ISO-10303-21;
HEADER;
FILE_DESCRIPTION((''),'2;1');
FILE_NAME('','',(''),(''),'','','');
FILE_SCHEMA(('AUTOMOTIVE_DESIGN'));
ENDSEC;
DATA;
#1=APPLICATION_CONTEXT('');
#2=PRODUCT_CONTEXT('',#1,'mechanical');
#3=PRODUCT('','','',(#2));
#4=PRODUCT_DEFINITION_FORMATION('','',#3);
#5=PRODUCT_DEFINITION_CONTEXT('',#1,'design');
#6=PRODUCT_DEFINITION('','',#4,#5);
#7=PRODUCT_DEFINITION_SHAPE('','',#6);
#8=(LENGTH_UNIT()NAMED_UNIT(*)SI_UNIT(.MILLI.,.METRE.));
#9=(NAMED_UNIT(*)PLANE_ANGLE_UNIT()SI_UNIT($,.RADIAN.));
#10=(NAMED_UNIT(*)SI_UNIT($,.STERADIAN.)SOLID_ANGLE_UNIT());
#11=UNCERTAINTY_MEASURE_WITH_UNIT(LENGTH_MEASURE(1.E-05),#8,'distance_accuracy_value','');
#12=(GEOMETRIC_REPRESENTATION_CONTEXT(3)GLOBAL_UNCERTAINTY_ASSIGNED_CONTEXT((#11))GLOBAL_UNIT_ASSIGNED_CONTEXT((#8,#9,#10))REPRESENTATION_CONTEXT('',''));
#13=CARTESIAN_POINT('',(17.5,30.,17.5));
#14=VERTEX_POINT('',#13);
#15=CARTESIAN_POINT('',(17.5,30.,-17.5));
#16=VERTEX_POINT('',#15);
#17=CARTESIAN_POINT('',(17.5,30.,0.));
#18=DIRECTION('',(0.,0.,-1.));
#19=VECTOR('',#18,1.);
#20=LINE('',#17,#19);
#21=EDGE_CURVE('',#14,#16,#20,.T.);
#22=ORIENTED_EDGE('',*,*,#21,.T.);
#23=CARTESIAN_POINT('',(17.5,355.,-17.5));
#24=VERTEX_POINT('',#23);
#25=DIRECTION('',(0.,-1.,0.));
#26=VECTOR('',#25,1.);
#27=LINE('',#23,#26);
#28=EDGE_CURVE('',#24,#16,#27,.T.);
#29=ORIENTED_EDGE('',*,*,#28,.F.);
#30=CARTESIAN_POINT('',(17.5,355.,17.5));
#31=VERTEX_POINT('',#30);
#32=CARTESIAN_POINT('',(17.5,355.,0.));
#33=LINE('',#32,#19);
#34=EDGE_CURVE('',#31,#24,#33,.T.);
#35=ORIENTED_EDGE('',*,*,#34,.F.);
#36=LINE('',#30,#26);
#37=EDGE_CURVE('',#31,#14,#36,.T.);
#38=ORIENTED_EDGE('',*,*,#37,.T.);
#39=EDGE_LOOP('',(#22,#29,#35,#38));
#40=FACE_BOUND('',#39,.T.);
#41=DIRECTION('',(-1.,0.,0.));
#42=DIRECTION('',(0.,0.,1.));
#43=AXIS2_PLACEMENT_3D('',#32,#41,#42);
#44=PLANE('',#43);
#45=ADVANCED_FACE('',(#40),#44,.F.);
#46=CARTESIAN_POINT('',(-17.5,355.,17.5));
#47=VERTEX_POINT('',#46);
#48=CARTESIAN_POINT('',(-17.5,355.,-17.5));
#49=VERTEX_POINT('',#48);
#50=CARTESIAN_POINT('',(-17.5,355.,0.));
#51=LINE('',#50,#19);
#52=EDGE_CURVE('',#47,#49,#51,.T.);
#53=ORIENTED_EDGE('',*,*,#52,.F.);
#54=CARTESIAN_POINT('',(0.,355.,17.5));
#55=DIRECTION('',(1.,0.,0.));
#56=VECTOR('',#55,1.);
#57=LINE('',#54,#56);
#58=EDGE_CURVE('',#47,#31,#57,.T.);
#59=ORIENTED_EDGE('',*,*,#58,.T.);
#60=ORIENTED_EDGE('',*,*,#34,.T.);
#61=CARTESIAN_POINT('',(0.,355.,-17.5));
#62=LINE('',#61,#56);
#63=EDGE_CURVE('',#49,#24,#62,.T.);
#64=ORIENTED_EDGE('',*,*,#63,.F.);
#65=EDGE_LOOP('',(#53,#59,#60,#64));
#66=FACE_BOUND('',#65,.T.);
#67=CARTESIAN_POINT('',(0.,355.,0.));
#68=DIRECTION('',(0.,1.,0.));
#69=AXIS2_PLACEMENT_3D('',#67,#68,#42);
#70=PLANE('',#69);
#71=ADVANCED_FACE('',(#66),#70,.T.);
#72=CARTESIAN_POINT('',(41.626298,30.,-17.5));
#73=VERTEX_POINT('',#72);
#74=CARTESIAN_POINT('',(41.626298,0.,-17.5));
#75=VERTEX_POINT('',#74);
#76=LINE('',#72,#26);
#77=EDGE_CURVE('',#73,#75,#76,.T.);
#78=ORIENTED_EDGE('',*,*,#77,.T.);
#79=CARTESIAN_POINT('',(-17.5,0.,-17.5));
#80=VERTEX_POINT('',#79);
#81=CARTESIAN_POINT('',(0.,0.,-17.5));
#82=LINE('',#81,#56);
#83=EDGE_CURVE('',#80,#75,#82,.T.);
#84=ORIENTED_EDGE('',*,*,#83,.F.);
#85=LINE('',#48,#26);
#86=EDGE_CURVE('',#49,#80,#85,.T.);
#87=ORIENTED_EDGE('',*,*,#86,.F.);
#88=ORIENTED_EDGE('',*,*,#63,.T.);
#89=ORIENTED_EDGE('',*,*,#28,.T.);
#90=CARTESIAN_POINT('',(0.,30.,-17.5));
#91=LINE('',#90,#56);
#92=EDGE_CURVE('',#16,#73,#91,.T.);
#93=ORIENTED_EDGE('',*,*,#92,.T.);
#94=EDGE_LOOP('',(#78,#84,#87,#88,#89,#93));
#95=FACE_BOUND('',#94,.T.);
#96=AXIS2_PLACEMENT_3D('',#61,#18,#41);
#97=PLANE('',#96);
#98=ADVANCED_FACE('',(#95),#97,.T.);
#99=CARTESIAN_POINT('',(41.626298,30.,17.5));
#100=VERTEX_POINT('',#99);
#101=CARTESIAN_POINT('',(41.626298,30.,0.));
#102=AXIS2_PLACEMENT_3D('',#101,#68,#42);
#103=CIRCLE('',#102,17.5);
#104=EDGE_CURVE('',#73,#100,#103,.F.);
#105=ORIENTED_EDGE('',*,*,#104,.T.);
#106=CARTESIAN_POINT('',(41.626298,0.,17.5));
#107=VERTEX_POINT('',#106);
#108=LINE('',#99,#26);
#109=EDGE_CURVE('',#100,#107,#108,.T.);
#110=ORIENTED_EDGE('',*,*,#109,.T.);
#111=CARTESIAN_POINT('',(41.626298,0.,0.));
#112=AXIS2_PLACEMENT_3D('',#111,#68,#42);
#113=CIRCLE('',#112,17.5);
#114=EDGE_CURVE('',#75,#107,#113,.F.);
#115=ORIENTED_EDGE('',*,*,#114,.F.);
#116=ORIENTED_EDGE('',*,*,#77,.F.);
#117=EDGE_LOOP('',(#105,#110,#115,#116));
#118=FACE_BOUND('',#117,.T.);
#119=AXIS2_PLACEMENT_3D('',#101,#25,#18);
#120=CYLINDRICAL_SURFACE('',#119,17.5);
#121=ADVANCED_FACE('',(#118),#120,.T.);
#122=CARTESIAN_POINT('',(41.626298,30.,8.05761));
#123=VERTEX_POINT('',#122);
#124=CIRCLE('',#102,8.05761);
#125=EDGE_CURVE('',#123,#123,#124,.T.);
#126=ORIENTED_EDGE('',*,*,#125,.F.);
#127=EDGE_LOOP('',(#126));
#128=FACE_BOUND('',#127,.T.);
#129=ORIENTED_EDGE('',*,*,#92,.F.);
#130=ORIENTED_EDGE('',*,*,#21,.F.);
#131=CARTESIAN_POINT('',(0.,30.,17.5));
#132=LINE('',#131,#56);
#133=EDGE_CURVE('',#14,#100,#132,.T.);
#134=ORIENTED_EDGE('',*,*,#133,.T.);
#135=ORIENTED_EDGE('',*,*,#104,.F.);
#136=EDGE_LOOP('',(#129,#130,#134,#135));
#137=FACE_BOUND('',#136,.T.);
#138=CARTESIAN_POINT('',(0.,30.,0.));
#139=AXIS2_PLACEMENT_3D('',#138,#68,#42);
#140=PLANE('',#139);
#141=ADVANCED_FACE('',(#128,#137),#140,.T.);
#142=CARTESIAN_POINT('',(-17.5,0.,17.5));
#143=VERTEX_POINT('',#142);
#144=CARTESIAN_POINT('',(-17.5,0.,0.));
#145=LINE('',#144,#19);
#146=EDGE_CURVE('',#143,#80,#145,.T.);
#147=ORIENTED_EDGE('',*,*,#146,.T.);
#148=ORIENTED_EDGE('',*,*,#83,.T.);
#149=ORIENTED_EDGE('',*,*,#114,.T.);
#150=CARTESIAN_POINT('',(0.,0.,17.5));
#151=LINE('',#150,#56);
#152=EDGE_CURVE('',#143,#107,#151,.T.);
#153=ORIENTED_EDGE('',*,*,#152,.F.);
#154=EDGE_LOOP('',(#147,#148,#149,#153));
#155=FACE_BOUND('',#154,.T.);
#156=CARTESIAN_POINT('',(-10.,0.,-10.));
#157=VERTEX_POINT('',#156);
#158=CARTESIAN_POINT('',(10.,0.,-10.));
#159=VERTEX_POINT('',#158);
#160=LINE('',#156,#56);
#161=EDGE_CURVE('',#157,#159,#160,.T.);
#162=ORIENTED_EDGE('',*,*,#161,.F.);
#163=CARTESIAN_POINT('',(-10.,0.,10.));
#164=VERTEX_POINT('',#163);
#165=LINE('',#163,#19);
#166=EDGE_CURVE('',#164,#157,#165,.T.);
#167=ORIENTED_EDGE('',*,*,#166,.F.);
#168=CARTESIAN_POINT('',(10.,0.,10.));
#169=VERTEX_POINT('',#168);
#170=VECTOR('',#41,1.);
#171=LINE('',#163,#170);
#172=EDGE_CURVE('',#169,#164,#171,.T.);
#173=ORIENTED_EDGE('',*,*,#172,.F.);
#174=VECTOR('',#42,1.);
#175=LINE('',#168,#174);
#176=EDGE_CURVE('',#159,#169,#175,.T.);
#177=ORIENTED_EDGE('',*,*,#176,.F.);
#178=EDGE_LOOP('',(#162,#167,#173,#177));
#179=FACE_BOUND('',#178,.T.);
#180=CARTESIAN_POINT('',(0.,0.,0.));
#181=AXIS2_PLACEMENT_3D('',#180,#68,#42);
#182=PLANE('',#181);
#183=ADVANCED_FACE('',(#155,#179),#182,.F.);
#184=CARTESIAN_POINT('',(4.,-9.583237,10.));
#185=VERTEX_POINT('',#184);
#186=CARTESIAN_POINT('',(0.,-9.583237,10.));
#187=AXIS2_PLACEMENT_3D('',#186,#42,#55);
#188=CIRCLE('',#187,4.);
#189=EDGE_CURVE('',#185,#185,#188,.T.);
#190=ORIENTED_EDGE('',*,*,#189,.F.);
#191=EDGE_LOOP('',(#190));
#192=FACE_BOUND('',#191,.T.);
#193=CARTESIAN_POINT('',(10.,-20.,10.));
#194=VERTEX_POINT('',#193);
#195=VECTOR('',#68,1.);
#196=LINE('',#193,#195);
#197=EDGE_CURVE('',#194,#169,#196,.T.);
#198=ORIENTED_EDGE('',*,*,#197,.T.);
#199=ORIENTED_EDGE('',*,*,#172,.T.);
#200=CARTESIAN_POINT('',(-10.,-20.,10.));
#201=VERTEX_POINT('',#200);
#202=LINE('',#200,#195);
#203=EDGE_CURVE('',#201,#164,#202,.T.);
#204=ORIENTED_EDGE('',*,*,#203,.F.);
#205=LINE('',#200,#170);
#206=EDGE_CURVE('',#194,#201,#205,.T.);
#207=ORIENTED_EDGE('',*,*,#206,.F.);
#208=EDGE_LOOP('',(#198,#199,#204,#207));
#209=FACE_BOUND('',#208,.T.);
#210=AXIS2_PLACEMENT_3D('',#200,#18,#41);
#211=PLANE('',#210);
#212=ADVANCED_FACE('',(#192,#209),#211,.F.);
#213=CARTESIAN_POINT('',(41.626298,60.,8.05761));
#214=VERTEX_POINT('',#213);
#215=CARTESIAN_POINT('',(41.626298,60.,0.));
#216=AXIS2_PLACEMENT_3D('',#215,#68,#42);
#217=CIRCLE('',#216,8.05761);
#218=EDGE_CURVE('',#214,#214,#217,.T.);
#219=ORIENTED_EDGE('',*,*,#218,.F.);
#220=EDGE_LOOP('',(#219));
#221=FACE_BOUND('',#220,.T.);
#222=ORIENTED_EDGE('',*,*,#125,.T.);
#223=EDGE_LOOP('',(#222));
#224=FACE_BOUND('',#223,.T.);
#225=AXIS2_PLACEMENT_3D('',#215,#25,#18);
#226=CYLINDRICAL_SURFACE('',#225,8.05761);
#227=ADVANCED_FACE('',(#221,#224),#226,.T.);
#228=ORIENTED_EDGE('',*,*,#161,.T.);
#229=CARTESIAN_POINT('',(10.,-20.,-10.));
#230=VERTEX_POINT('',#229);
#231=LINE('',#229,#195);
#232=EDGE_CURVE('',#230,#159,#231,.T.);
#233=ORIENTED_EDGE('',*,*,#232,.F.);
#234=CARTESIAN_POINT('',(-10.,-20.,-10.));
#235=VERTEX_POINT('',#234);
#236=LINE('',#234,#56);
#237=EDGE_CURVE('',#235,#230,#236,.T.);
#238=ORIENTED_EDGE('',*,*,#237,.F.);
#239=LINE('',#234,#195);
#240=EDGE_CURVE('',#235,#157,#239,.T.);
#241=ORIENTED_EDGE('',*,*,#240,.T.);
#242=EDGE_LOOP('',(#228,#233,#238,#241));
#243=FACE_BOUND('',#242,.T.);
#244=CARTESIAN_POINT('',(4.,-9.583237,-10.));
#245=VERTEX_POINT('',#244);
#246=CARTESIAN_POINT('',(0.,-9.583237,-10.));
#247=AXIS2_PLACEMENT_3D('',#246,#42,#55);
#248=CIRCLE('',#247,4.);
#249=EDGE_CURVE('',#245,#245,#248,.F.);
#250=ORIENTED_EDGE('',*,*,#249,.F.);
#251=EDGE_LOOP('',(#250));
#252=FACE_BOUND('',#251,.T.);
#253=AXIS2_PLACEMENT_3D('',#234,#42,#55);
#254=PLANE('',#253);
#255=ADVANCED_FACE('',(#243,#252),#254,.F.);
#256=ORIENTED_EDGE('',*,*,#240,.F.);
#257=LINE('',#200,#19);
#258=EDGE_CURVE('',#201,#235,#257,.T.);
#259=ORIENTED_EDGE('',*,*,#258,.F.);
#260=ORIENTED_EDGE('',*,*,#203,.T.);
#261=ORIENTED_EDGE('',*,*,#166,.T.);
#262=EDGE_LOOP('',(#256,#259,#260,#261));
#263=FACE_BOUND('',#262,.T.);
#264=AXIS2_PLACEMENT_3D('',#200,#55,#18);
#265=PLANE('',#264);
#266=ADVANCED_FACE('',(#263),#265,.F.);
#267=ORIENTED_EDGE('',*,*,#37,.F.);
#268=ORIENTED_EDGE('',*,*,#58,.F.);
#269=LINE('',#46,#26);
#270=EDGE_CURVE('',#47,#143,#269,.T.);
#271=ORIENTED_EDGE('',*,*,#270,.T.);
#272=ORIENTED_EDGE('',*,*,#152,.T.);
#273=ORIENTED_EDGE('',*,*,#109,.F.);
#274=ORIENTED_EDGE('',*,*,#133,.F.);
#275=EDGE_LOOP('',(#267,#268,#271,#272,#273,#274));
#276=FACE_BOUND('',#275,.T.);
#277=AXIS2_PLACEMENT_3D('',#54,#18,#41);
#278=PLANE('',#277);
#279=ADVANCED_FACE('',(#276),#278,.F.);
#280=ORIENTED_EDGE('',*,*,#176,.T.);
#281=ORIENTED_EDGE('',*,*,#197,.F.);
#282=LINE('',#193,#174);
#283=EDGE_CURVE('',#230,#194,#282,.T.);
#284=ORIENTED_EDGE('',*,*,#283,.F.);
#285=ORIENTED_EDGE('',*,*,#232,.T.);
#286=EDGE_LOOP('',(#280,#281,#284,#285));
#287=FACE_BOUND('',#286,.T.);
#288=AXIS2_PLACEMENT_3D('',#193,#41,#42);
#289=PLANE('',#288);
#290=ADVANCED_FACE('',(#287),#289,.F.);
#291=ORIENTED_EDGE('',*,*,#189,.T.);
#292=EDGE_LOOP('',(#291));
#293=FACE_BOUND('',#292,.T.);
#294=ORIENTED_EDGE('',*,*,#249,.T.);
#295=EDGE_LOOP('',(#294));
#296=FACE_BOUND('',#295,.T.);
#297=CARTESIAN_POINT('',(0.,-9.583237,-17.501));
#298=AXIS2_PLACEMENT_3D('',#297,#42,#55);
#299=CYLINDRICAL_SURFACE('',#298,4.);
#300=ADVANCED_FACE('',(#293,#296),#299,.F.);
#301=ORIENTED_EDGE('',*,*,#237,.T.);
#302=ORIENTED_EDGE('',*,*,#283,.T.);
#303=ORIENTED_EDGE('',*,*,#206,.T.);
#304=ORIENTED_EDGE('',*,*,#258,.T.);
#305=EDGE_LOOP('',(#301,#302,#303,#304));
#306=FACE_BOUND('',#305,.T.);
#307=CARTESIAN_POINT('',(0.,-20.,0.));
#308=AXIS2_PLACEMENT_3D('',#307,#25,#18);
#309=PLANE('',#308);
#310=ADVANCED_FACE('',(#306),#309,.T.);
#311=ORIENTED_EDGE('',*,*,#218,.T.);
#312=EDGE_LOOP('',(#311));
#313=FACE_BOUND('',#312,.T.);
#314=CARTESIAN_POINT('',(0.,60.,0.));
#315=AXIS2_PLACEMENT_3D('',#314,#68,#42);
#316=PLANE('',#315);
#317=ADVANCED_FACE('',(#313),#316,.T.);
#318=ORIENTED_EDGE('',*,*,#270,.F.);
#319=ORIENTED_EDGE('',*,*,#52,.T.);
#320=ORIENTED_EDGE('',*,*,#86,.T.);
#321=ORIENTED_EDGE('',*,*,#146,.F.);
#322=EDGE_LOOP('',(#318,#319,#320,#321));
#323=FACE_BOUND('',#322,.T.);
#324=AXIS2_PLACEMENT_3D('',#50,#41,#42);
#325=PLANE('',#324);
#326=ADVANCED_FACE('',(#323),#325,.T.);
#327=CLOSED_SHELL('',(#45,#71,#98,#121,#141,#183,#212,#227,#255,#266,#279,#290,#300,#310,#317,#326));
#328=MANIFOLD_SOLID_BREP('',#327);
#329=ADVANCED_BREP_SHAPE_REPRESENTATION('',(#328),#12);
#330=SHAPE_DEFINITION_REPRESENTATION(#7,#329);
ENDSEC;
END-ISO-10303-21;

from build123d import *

# Parameters (mm, degrees)
SKETCH1_W           = 35
SKETCH1_H           = 35
BOSS_EXTRUDE1_DEPTH = 355
SKETCH1_3_R         = 8.057610329
BOSS_EXTRUDE2_DEPTH = 30
SKETCH1_4_R         = 8.057610329
BOSS_EXTRUDE3_DEPTH = 60
SKETCH2_W           = 20
SKETCH2_H           = 20
BOSS_EXTRUDE4_DEPTH = 20
CUT_EXTRUDE1_REACH  = 362.939
SKETCH3_R           = 4


with BuildPart() as part:
    # Sketch1 → Boss-Extrude1 (new body)
    with BuildSketch(Plane(origin=(0, 0, 0), x_dir=(1, 0, 0), z_dir=(0, 1, 0))):
        Rectangle(SKETCH1_W, SKETCH1_H)
    extrude(amount=BOSS_EXTRUDE1_DEPTH)

    # Sketch1<3> → Boss-Extrude2 (add)
    with BuildSketch(Plane(origin=(0, 0, 0), x_dir=(1, 0, 0), z_dir=(0, 1, 0))):
        with BuildLine():
            Line((41.626297716, 17.5), (17.5, 17.5))
            Line((17.5, 17.5), (17.5, -17.5))
            Line((17.5, -17.5), (41.626297716, -17.5))
            ThreePointArc((41.626297716, -17.5), (59.126297716, 0), (41.626297716, 17.5))
        make_face()
        with Locations((41.626297716, 0)):
            Circle(SKETCH1_3_R, mode=Mode.SUBTRACT)
    extrude(amount=BOSS_EXTRUDE2_DEPTH)

    # Sketch1<4> → Boss-Extrude3 (add)
    with BuildSketch(Plane(origin=(0, 0, 0), x_dir=(1, 0, 0), z_dir=(0, 1, 0))):
        with Locations((41.626297716, 0)):
            Circle(SKETCH1_4_R)
    extrude(amount=BOSS_EXTRUDE3_DEPTH)

    # Sketch2 → Boss-Extrude4 (add)
    with BuildSketch(Plane.XZ):
        Rectangle(SKETCH2_W, SKETCH2_H)
    extrude(amount=BOSS_EXTRUDE4_DEPTH)

    # Sketch3 → Cut-Extrude1 (cut, up to next)
    with BuildSketch(Plane.XY.offset(10), mode=Mode.PRIVATE) as cut_extrude1_sk1:
        with Locations((0, -9.583237288)):
            Circle(SKETCH3_R)
    cut_extrude1_tool1 = extrude(cut_extrude1_sk1.sketch, amount=-CUT_EXTRUDE1_REACH, mode=Mode.PRIVATE) & part.part
    add(cut_extrude1_tool1.solids().sort_by_distance((0, -9.583237, 10))[0], mode=Mode.SUBTRACT)


solid = part.part
